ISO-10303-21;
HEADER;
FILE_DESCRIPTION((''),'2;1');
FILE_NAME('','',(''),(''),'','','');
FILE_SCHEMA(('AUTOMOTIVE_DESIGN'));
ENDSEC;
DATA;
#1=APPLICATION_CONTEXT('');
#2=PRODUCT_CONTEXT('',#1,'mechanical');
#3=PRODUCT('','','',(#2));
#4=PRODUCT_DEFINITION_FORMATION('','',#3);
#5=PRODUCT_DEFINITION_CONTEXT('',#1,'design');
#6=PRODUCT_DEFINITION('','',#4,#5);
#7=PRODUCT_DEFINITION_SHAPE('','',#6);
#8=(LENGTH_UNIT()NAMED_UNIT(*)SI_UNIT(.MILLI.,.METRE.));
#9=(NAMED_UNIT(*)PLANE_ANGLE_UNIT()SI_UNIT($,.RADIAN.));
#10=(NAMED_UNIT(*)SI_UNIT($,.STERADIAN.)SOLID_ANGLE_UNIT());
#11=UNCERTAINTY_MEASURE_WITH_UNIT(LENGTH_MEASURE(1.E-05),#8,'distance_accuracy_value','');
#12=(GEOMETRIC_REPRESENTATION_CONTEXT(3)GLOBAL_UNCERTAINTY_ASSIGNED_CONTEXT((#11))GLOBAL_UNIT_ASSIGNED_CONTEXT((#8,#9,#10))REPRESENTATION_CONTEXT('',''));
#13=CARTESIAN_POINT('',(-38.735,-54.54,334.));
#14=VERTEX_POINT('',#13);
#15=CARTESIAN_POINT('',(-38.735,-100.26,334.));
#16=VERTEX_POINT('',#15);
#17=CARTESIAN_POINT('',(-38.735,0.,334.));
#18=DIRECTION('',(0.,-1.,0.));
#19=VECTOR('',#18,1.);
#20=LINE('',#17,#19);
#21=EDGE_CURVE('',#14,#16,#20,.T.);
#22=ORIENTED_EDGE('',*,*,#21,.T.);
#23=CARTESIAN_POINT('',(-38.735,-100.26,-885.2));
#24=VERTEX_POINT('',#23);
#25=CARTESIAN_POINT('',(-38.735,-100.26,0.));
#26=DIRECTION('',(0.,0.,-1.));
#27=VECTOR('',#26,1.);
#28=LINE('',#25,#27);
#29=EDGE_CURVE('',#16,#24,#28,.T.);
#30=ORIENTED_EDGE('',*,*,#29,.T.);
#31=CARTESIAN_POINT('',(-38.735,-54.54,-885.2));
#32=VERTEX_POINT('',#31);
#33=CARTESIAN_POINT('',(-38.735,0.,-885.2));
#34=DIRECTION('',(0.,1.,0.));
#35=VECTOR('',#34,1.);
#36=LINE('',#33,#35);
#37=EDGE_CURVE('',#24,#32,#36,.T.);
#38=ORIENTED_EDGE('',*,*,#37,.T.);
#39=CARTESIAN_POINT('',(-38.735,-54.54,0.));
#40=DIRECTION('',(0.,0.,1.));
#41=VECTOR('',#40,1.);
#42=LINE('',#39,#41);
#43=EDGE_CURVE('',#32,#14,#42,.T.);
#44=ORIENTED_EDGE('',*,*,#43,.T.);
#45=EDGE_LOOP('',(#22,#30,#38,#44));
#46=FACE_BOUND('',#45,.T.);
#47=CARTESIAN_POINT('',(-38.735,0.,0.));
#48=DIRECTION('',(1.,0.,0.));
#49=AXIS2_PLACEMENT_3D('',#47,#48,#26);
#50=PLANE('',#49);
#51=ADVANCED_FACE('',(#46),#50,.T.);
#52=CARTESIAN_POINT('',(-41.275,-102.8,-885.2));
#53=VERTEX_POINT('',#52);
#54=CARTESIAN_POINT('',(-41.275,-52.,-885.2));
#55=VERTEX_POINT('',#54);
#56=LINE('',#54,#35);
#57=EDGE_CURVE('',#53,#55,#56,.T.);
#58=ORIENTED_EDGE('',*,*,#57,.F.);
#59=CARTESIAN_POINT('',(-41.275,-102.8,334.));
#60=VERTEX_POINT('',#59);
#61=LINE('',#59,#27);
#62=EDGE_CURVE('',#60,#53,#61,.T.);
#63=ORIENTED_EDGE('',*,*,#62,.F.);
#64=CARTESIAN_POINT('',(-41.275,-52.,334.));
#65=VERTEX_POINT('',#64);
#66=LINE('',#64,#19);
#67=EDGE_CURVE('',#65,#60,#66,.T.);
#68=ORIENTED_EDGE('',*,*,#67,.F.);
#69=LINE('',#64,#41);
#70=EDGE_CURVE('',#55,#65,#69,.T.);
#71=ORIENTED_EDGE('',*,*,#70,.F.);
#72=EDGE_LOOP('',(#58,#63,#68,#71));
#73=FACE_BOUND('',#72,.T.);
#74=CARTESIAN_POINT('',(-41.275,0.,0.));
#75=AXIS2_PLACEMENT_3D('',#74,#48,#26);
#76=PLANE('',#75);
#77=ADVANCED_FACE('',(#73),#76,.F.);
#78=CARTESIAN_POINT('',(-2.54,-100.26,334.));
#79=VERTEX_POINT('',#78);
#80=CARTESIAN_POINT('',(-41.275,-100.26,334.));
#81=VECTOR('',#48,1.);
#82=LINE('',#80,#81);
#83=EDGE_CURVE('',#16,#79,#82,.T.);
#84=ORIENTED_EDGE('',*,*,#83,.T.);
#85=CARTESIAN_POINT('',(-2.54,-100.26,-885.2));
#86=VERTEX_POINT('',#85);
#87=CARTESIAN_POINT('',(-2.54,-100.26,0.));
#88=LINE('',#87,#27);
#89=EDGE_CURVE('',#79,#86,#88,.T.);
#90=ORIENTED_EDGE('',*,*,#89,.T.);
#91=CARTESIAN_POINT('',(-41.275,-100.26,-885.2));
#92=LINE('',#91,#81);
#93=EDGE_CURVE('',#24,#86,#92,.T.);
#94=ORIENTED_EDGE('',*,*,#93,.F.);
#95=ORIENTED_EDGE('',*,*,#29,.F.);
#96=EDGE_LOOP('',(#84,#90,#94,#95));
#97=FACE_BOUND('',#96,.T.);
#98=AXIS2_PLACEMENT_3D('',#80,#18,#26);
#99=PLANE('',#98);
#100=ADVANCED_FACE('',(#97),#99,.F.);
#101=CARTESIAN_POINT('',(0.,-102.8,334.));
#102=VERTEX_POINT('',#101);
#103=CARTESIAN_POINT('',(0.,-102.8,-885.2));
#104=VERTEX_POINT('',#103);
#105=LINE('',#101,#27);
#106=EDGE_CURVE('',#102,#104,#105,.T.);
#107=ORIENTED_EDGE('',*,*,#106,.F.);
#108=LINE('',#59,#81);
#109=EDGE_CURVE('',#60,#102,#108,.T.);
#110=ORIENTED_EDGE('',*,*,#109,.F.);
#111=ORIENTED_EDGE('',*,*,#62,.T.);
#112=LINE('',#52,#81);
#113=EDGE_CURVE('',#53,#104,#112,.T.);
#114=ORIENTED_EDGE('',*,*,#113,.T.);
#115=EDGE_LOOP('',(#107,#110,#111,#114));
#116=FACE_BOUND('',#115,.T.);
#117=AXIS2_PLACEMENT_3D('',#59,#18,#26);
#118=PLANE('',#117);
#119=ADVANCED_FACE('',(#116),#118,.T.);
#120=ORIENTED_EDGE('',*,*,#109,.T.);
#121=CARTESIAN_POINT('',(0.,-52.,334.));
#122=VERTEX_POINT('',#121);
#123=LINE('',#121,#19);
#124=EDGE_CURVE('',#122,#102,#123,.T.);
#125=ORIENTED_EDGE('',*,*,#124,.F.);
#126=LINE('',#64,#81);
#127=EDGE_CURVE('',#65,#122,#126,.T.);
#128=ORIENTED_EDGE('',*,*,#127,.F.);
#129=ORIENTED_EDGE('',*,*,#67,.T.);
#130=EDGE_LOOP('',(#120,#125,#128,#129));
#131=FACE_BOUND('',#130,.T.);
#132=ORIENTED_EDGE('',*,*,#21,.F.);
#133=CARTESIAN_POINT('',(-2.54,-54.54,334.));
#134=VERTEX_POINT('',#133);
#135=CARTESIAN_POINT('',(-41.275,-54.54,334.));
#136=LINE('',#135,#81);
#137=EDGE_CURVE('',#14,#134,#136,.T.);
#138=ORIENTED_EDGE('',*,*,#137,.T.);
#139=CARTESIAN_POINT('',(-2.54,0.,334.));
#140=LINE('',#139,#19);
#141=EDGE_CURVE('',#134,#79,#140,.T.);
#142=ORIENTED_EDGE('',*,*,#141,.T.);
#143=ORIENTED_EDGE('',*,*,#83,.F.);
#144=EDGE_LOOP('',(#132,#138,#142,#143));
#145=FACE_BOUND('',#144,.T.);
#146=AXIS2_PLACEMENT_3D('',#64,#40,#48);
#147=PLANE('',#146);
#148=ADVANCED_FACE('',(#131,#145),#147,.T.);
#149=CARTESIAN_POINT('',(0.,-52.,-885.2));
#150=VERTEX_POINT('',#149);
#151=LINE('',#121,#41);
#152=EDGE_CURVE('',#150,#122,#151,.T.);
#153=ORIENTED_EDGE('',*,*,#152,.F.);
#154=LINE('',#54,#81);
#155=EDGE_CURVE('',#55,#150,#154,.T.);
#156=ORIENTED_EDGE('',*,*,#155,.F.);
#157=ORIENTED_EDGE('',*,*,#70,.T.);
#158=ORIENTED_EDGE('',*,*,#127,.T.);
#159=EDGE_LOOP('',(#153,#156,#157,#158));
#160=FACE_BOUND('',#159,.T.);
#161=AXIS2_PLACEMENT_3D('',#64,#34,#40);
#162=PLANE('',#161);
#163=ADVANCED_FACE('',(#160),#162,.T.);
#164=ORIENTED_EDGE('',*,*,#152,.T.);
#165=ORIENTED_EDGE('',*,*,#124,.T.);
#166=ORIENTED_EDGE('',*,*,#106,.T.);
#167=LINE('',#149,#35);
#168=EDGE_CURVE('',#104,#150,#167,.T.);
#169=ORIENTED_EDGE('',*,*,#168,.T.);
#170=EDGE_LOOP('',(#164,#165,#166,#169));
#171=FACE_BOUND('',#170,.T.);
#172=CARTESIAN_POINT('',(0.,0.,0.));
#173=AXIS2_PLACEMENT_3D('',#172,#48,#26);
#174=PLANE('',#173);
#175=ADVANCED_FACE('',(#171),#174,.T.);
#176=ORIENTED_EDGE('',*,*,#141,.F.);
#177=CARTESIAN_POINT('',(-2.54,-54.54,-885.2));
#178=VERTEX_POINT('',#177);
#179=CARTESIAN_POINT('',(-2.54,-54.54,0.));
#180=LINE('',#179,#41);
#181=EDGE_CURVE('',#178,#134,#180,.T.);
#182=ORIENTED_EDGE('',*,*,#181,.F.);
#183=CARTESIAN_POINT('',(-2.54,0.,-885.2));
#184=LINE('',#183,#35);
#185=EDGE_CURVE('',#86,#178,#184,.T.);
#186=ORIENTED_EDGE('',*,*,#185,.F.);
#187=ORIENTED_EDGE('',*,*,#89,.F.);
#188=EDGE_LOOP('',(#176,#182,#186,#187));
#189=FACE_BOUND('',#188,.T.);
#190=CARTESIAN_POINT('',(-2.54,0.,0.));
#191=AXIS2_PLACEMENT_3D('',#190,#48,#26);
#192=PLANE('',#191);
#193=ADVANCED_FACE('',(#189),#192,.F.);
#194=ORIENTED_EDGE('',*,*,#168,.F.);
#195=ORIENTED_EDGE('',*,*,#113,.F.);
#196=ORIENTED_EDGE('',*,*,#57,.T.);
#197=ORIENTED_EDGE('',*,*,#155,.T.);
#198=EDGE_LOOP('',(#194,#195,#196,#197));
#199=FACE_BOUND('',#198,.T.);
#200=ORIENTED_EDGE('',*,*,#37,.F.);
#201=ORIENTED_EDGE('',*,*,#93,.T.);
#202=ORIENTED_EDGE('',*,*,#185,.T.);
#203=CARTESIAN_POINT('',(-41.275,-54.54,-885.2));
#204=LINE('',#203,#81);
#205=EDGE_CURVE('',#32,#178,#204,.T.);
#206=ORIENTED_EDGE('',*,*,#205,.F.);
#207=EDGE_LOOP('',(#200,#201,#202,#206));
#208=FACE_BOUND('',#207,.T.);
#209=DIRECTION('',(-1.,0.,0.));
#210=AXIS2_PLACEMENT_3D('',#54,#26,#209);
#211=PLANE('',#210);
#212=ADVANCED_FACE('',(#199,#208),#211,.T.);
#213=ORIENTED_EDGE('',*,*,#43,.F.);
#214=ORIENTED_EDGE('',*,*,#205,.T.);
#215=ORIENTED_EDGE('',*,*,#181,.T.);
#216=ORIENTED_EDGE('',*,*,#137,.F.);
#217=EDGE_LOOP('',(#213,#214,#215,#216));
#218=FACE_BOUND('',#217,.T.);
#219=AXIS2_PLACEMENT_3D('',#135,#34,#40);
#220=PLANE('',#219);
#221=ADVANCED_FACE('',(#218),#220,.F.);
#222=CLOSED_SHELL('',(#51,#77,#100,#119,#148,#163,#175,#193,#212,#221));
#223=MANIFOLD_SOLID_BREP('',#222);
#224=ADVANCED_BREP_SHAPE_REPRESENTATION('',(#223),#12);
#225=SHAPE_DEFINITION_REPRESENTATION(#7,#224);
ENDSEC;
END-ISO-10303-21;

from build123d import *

# Parameters (mm, degrees)
SKETCH4_W           = 1219.2
SKETCH4_H           = 50.8
BOSS_EXTRUDE2_DEPTH = 41.275
SHELL7_T            = -2.54


with BuildPart() as part:
    # Sketch4 → Boss-Extrude2 (new body)
    with BuildSketch(Plane(origin=(0, 0, 0), x_dir=(0, 0, -1), z_dir=(1, 0, 0))):
        with Locations((275.6, -77.4)):
            Rectangle(SKETCH4_W, SKETCH4_H)
    extrude(amount=-BOSS_EXTRUDE2_DEPTH)

    # Shell7
    shell7_openings = [part.faces().sort_by_distance(p)[0] for p in [
        (-20.6375, -77.4, -885.2),
        (-20.6375, -77.4, 334),
    ]]
    offset(amount=SHELL7_T, openings=shell7_openings, kind=Kind.INTERSECTION)


solid = part.part
